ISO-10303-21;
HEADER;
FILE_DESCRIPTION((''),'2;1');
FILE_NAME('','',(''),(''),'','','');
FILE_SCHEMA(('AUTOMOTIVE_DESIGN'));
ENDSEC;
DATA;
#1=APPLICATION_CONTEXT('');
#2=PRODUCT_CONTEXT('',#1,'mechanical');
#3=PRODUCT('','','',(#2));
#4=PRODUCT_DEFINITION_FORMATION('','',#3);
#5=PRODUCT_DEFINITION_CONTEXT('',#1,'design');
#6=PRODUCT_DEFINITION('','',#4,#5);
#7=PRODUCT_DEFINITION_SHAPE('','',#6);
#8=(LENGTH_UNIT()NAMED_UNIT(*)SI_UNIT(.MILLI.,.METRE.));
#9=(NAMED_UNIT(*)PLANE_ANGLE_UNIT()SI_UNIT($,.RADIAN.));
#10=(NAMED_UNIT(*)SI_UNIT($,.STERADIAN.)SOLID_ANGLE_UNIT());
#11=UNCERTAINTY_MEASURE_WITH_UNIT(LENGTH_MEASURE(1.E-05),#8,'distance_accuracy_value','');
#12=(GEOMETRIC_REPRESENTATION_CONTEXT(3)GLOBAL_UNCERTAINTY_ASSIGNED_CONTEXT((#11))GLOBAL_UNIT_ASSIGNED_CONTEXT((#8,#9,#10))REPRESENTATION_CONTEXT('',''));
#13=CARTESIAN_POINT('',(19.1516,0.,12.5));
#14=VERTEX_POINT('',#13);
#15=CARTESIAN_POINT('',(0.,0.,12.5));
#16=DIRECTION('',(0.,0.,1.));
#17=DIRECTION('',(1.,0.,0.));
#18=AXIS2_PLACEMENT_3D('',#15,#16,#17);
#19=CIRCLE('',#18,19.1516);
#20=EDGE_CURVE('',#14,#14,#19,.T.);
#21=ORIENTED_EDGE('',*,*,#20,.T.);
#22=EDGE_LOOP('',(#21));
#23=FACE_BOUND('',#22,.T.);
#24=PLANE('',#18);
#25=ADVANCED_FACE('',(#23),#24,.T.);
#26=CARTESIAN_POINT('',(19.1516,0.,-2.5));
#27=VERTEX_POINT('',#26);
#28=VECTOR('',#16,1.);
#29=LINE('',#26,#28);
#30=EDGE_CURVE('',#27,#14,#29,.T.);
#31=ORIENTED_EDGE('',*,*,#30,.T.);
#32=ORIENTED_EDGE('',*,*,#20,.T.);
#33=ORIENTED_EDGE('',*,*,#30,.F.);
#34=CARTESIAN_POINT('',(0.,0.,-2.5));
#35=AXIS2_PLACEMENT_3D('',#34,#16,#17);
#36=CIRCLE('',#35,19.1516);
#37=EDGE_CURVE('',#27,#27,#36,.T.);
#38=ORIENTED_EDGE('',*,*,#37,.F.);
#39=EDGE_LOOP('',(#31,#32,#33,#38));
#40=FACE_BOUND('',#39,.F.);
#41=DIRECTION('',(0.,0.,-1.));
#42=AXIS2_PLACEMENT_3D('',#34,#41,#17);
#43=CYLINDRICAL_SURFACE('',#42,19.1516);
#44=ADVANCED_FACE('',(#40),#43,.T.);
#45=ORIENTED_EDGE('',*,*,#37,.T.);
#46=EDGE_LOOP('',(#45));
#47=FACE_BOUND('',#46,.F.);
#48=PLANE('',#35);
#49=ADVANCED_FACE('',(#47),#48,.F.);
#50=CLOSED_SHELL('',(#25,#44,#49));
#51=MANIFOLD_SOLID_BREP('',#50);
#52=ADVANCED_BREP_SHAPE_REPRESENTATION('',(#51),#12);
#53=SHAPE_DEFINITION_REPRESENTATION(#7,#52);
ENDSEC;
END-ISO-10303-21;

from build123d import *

# Parameters (mm, degrees)
CYLINDER_R     = 19.1516
CYLINDER_DEPTH = 15


with BuildPart() as part:
    # Cylinder → Cylinder (new body)
    with BuildSketch(Plane.XY.offset(-2.5)):
        Circle(CYLINDER_R)
    extrude(amount=CYLINDER_DEPTH)


solid = part.part
